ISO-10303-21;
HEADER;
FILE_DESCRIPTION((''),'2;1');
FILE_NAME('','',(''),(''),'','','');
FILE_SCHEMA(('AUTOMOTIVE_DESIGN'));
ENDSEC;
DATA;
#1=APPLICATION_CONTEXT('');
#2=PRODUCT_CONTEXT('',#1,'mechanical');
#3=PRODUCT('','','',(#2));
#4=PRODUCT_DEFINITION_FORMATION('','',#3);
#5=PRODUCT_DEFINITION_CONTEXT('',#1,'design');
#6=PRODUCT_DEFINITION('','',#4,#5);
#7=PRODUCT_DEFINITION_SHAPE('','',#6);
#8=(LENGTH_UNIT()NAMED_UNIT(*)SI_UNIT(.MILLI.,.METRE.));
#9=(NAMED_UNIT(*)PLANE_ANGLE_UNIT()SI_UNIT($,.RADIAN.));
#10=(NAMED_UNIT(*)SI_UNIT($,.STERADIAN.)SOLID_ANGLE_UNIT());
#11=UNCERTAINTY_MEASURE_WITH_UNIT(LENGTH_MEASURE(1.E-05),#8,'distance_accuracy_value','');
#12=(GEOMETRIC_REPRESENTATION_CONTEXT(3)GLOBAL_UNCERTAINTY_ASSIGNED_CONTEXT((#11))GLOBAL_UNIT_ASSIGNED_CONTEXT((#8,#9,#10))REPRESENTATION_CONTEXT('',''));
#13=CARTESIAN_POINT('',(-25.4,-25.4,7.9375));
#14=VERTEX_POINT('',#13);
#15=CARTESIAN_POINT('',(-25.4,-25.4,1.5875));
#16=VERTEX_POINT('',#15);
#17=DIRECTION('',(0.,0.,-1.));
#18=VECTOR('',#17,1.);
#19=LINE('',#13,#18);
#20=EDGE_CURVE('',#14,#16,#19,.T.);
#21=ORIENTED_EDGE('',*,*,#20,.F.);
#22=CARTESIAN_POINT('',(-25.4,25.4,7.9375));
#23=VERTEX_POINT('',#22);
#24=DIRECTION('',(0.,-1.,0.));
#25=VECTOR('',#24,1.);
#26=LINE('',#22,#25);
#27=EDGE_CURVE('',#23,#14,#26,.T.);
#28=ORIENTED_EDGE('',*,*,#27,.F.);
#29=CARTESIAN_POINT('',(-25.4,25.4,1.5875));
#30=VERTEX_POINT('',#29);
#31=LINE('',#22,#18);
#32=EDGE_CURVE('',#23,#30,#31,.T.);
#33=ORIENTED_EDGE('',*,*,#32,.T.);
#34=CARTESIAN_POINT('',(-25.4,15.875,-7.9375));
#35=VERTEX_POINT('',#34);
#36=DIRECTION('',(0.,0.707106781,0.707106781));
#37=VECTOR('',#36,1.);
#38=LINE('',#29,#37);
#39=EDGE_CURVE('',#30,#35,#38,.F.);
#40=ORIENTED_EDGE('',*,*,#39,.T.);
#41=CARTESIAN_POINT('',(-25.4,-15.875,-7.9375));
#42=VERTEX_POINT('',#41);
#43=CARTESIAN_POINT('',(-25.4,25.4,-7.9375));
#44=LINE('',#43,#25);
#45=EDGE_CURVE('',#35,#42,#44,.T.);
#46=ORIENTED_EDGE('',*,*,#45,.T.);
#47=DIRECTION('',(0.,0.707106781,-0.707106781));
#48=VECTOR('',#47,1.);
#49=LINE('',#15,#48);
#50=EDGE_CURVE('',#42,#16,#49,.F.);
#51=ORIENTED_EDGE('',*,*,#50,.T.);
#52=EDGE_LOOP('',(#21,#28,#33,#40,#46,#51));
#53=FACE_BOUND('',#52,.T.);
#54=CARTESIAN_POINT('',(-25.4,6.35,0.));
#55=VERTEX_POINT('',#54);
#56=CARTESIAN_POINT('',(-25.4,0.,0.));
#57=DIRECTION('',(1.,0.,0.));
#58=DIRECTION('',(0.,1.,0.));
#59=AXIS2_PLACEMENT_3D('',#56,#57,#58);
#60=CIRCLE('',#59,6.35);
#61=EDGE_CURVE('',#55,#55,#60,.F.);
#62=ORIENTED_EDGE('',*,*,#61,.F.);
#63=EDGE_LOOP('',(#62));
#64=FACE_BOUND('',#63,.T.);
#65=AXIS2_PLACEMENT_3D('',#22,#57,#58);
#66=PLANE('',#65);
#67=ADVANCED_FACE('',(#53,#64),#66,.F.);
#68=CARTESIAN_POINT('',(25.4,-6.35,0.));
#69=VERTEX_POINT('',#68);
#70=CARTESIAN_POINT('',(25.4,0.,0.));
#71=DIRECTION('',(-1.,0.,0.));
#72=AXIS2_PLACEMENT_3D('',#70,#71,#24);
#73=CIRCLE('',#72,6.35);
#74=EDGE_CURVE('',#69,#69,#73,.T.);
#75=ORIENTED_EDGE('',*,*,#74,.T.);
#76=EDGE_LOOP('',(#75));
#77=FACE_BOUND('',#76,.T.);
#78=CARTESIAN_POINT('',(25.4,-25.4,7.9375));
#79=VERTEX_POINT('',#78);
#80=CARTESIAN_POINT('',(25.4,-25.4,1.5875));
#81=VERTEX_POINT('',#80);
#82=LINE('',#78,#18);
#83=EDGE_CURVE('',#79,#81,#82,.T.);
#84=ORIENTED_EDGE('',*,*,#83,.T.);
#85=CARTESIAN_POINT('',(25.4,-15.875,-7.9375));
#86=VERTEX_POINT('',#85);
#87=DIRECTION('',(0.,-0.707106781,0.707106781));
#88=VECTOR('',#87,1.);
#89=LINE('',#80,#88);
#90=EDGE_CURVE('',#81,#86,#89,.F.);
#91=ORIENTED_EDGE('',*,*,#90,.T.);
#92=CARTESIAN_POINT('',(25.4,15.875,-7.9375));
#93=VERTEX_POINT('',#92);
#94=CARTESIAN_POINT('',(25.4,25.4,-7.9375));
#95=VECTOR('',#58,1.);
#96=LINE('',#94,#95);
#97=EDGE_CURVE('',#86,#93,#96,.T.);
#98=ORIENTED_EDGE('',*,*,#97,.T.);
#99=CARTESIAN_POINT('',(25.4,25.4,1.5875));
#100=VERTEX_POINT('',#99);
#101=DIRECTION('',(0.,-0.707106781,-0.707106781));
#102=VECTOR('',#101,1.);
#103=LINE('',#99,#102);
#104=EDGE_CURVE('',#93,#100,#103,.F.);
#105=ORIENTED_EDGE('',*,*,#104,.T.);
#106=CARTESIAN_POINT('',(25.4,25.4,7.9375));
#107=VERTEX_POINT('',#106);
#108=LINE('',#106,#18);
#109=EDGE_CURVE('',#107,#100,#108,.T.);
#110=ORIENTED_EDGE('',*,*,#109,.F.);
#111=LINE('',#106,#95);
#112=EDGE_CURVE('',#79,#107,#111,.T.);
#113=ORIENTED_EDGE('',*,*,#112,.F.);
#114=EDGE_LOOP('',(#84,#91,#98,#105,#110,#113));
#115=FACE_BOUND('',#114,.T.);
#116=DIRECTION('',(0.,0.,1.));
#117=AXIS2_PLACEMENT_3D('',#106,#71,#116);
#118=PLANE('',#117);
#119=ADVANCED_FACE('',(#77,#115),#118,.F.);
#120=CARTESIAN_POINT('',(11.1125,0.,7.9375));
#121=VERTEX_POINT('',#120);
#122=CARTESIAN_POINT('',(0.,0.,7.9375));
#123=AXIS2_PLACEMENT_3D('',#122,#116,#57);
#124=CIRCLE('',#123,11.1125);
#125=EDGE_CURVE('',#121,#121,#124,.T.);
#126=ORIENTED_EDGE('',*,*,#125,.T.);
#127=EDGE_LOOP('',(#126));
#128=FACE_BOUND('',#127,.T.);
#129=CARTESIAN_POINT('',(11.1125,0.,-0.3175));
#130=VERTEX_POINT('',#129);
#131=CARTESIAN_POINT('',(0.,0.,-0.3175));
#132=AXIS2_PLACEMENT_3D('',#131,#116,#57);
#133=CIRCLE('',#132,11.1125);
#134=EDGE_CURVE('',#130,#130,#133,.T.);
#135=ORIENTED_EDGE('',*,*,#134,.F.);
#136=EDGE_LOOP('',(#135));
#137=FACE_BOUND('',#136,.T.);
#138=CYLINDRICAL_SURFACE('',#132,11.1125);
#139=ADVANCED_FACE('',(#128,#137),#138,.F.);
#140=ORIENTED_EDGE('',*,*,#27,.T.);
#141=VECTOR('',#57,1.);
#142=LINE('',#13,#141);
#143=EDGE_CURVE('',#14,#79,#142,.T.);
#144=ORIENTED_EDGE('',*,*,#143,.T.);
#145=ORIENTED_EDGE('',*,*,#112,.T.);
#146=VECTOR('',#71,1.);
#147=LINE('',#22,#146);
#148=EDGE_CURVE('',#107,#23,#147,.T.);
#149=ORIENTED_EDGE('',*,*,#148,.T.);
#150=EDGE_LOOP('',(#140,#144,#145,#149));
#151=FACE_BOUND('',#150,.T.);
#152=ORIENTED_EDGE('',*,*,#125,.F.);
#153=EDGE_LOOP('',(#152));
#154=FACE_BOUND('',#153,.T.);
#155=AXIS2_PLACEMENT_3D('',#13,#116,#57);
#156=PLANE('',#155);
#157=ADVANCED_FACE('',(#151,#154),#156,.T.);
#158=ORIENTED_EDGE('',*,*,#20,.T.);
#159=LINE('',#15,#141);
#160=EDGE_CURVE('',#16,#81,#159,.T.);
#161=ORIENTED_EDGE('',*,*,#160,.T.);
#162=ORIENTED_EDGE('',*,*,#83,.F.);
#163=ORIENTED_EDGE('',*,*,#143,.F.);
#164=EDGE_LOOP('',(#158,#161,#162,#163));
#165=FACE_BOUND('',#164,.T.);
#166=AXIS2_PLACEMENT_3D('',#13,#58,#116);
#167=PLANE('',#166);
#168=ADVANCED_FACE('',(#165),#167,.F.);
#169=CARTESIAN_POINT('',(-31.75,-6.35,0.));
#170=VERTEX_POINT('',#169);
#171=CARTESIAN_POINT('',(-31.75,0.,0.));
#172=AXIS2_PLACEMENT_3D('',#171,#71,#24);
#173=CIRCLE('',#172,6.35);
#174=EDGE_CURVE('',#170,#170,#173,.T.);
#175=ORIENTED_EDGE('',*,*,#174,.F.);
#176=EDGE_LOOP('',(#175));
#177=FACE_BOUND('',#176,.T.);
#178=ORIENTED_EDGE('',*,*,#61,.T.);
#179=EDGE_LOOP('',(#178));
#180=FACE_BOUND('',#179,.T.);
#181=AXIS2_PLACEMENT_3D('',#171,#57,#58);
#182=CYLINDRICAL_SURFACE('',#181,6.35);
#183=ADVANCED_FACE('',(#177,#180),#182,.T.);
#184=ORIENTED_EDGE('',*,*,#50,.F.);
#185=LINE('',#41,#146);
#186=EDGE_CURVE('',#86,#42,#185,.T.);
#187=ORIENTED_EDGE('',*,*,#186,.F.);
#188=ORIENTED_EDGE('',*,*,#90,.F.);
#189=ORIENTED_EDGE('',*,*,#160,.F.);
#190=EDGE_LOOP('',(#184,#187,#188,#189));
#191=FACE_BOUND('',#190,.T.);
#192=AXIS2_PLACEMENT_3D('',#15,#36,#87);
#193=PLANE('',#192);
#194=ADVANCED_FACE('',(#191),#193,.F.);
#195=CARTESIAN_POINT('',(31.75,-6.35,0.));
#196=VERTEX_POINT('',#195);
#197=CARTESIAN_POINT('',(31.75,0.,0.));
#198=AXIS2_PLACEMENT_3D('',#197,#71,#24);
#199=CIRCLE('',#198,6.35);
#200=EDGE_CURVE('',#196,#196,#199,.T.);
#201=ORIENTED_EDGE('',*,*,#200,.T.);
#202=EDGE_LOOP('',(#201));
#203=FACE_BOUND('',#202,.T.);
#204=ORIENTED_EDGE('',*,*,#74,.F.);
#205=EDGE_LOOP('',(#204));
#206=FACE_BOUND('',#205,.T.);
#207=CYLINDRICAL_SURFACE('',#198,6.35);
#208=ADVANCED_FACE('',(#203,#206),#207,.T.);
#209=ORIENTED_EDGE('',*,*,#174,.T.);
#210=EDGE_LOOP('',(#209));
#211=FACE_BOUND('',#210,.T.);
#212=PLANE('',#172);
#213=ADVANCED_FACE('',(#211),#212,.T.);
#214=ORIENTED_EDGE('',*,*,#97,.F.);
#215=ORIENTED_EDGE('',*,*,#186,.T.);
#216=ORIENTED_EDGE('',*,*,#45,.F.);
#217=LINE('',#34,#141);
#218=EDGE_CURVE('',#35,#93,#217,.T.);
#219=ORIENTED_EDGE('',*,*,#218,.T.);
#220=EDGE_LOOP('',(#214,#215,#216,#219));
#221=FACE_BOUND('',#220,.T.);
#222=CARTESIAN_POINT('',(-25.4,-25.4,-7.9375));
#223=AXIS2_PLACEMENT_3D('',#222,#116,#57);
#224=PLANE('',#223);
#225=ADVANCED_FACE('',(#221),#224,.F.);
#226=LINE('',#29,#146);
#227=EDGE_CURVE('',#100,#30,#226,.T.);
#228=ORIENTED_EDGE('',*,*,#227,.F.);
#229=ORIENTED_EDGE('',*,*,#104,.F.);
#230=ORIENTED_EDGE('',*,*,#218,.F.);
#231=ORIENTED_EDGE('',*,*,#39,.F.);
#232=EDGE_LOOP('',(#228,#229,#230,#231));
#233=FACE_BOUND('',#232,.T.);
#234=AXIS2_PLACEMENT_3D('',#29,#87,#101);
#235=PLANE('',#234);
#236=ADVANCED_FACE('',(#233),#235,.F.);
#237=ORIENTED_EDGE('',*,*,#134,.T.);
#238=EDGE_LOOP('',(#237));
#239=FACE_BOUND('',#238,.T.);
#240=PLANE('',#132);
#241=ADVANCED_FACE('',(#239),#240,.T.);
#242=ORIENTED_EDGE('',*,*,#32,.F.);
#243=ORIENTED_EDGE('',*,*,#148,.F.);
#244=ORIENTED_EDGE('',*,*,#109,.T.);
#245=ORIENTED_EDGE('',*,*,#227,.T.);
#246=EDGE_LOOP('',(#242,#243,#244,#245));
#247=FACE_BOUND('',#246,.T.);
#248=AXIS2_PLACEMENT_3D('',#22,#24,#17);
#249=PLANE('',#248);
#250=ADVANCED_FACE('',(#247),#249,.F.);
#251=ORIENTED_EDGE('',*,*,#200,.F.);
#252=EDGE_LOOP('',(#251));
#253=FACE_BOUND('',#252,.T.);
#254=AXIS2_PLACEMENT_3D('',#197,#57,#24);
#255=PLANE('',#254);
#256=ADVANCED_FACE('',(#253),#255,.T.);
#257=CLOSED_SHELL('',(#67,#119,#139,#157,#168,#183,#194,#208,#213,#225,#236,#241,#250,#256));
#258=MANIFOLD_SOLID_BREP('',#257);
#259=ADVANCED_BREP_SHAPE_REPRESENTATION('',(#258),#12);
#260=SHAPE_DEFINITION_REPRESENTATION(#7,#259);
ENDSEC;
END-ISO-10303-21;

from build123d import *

# Parameters (mm, degrees)
SKETCH1_W          = 50.8
SKETCH1_H          = 50.8
EXTRUDE1_DEPTH     = 7.9375
SKETCH6_R          = 11.1125
CUT_EXTRUDE2_DEPTH = 8.255
SKETCH3_R          = 6.35
EXTRUDE3_DEPTH     = 6.35
CHAMFER1_SIZE      = 9.525


with BuildPart() as part:
    # Sketch1 → Extrude1 (new body, symmetric)
    with BuildSketch(Plane.XY):
        Rectangle(SKETCH1_W, SKETCH1_H)
    extrude(amount=EXTRUDE1_DEPTH, both=True)

    # Sketch6 → Cut-Extrude2 (cut)
    with BuildSketch(Plane.XY.offset(7.9375)):
        Circle(SKETCH6_R)
    extrude(amount=-CUT_EXTRUDE2_DEPTH, mode=Mode.SUBTRACT)

    # Sketch3 → Extrude3 (add)
    with BuildSketch(Plane.ZY.offset(25.4)):
        with Locations(Location((0, 0, 0), (0, 0, 90))):  # turned: the seam where the file's is
            Circle(SKETCH3_R)
    extrude3 = extrude(amount=EXTRUDE3_DEPTH)

    # Mirror2: Extrude3 across plane
    add(extrude3.mirror(Plane(origin=(0, 0, 0), x_dir=(0, 0, 1), z_dir=(1, 0, 0))))

    # Chamfer1
    chamfer1_edges = [part.edges().sort_by_distance(p)[0] for p in [
        (0, 25.4, -7.9375),
        (0, -25.4, -7.9375),
    ]]
    chamfer(chamfer1_edges, length=CHAMFER1_SIZE)


solid = part.part
